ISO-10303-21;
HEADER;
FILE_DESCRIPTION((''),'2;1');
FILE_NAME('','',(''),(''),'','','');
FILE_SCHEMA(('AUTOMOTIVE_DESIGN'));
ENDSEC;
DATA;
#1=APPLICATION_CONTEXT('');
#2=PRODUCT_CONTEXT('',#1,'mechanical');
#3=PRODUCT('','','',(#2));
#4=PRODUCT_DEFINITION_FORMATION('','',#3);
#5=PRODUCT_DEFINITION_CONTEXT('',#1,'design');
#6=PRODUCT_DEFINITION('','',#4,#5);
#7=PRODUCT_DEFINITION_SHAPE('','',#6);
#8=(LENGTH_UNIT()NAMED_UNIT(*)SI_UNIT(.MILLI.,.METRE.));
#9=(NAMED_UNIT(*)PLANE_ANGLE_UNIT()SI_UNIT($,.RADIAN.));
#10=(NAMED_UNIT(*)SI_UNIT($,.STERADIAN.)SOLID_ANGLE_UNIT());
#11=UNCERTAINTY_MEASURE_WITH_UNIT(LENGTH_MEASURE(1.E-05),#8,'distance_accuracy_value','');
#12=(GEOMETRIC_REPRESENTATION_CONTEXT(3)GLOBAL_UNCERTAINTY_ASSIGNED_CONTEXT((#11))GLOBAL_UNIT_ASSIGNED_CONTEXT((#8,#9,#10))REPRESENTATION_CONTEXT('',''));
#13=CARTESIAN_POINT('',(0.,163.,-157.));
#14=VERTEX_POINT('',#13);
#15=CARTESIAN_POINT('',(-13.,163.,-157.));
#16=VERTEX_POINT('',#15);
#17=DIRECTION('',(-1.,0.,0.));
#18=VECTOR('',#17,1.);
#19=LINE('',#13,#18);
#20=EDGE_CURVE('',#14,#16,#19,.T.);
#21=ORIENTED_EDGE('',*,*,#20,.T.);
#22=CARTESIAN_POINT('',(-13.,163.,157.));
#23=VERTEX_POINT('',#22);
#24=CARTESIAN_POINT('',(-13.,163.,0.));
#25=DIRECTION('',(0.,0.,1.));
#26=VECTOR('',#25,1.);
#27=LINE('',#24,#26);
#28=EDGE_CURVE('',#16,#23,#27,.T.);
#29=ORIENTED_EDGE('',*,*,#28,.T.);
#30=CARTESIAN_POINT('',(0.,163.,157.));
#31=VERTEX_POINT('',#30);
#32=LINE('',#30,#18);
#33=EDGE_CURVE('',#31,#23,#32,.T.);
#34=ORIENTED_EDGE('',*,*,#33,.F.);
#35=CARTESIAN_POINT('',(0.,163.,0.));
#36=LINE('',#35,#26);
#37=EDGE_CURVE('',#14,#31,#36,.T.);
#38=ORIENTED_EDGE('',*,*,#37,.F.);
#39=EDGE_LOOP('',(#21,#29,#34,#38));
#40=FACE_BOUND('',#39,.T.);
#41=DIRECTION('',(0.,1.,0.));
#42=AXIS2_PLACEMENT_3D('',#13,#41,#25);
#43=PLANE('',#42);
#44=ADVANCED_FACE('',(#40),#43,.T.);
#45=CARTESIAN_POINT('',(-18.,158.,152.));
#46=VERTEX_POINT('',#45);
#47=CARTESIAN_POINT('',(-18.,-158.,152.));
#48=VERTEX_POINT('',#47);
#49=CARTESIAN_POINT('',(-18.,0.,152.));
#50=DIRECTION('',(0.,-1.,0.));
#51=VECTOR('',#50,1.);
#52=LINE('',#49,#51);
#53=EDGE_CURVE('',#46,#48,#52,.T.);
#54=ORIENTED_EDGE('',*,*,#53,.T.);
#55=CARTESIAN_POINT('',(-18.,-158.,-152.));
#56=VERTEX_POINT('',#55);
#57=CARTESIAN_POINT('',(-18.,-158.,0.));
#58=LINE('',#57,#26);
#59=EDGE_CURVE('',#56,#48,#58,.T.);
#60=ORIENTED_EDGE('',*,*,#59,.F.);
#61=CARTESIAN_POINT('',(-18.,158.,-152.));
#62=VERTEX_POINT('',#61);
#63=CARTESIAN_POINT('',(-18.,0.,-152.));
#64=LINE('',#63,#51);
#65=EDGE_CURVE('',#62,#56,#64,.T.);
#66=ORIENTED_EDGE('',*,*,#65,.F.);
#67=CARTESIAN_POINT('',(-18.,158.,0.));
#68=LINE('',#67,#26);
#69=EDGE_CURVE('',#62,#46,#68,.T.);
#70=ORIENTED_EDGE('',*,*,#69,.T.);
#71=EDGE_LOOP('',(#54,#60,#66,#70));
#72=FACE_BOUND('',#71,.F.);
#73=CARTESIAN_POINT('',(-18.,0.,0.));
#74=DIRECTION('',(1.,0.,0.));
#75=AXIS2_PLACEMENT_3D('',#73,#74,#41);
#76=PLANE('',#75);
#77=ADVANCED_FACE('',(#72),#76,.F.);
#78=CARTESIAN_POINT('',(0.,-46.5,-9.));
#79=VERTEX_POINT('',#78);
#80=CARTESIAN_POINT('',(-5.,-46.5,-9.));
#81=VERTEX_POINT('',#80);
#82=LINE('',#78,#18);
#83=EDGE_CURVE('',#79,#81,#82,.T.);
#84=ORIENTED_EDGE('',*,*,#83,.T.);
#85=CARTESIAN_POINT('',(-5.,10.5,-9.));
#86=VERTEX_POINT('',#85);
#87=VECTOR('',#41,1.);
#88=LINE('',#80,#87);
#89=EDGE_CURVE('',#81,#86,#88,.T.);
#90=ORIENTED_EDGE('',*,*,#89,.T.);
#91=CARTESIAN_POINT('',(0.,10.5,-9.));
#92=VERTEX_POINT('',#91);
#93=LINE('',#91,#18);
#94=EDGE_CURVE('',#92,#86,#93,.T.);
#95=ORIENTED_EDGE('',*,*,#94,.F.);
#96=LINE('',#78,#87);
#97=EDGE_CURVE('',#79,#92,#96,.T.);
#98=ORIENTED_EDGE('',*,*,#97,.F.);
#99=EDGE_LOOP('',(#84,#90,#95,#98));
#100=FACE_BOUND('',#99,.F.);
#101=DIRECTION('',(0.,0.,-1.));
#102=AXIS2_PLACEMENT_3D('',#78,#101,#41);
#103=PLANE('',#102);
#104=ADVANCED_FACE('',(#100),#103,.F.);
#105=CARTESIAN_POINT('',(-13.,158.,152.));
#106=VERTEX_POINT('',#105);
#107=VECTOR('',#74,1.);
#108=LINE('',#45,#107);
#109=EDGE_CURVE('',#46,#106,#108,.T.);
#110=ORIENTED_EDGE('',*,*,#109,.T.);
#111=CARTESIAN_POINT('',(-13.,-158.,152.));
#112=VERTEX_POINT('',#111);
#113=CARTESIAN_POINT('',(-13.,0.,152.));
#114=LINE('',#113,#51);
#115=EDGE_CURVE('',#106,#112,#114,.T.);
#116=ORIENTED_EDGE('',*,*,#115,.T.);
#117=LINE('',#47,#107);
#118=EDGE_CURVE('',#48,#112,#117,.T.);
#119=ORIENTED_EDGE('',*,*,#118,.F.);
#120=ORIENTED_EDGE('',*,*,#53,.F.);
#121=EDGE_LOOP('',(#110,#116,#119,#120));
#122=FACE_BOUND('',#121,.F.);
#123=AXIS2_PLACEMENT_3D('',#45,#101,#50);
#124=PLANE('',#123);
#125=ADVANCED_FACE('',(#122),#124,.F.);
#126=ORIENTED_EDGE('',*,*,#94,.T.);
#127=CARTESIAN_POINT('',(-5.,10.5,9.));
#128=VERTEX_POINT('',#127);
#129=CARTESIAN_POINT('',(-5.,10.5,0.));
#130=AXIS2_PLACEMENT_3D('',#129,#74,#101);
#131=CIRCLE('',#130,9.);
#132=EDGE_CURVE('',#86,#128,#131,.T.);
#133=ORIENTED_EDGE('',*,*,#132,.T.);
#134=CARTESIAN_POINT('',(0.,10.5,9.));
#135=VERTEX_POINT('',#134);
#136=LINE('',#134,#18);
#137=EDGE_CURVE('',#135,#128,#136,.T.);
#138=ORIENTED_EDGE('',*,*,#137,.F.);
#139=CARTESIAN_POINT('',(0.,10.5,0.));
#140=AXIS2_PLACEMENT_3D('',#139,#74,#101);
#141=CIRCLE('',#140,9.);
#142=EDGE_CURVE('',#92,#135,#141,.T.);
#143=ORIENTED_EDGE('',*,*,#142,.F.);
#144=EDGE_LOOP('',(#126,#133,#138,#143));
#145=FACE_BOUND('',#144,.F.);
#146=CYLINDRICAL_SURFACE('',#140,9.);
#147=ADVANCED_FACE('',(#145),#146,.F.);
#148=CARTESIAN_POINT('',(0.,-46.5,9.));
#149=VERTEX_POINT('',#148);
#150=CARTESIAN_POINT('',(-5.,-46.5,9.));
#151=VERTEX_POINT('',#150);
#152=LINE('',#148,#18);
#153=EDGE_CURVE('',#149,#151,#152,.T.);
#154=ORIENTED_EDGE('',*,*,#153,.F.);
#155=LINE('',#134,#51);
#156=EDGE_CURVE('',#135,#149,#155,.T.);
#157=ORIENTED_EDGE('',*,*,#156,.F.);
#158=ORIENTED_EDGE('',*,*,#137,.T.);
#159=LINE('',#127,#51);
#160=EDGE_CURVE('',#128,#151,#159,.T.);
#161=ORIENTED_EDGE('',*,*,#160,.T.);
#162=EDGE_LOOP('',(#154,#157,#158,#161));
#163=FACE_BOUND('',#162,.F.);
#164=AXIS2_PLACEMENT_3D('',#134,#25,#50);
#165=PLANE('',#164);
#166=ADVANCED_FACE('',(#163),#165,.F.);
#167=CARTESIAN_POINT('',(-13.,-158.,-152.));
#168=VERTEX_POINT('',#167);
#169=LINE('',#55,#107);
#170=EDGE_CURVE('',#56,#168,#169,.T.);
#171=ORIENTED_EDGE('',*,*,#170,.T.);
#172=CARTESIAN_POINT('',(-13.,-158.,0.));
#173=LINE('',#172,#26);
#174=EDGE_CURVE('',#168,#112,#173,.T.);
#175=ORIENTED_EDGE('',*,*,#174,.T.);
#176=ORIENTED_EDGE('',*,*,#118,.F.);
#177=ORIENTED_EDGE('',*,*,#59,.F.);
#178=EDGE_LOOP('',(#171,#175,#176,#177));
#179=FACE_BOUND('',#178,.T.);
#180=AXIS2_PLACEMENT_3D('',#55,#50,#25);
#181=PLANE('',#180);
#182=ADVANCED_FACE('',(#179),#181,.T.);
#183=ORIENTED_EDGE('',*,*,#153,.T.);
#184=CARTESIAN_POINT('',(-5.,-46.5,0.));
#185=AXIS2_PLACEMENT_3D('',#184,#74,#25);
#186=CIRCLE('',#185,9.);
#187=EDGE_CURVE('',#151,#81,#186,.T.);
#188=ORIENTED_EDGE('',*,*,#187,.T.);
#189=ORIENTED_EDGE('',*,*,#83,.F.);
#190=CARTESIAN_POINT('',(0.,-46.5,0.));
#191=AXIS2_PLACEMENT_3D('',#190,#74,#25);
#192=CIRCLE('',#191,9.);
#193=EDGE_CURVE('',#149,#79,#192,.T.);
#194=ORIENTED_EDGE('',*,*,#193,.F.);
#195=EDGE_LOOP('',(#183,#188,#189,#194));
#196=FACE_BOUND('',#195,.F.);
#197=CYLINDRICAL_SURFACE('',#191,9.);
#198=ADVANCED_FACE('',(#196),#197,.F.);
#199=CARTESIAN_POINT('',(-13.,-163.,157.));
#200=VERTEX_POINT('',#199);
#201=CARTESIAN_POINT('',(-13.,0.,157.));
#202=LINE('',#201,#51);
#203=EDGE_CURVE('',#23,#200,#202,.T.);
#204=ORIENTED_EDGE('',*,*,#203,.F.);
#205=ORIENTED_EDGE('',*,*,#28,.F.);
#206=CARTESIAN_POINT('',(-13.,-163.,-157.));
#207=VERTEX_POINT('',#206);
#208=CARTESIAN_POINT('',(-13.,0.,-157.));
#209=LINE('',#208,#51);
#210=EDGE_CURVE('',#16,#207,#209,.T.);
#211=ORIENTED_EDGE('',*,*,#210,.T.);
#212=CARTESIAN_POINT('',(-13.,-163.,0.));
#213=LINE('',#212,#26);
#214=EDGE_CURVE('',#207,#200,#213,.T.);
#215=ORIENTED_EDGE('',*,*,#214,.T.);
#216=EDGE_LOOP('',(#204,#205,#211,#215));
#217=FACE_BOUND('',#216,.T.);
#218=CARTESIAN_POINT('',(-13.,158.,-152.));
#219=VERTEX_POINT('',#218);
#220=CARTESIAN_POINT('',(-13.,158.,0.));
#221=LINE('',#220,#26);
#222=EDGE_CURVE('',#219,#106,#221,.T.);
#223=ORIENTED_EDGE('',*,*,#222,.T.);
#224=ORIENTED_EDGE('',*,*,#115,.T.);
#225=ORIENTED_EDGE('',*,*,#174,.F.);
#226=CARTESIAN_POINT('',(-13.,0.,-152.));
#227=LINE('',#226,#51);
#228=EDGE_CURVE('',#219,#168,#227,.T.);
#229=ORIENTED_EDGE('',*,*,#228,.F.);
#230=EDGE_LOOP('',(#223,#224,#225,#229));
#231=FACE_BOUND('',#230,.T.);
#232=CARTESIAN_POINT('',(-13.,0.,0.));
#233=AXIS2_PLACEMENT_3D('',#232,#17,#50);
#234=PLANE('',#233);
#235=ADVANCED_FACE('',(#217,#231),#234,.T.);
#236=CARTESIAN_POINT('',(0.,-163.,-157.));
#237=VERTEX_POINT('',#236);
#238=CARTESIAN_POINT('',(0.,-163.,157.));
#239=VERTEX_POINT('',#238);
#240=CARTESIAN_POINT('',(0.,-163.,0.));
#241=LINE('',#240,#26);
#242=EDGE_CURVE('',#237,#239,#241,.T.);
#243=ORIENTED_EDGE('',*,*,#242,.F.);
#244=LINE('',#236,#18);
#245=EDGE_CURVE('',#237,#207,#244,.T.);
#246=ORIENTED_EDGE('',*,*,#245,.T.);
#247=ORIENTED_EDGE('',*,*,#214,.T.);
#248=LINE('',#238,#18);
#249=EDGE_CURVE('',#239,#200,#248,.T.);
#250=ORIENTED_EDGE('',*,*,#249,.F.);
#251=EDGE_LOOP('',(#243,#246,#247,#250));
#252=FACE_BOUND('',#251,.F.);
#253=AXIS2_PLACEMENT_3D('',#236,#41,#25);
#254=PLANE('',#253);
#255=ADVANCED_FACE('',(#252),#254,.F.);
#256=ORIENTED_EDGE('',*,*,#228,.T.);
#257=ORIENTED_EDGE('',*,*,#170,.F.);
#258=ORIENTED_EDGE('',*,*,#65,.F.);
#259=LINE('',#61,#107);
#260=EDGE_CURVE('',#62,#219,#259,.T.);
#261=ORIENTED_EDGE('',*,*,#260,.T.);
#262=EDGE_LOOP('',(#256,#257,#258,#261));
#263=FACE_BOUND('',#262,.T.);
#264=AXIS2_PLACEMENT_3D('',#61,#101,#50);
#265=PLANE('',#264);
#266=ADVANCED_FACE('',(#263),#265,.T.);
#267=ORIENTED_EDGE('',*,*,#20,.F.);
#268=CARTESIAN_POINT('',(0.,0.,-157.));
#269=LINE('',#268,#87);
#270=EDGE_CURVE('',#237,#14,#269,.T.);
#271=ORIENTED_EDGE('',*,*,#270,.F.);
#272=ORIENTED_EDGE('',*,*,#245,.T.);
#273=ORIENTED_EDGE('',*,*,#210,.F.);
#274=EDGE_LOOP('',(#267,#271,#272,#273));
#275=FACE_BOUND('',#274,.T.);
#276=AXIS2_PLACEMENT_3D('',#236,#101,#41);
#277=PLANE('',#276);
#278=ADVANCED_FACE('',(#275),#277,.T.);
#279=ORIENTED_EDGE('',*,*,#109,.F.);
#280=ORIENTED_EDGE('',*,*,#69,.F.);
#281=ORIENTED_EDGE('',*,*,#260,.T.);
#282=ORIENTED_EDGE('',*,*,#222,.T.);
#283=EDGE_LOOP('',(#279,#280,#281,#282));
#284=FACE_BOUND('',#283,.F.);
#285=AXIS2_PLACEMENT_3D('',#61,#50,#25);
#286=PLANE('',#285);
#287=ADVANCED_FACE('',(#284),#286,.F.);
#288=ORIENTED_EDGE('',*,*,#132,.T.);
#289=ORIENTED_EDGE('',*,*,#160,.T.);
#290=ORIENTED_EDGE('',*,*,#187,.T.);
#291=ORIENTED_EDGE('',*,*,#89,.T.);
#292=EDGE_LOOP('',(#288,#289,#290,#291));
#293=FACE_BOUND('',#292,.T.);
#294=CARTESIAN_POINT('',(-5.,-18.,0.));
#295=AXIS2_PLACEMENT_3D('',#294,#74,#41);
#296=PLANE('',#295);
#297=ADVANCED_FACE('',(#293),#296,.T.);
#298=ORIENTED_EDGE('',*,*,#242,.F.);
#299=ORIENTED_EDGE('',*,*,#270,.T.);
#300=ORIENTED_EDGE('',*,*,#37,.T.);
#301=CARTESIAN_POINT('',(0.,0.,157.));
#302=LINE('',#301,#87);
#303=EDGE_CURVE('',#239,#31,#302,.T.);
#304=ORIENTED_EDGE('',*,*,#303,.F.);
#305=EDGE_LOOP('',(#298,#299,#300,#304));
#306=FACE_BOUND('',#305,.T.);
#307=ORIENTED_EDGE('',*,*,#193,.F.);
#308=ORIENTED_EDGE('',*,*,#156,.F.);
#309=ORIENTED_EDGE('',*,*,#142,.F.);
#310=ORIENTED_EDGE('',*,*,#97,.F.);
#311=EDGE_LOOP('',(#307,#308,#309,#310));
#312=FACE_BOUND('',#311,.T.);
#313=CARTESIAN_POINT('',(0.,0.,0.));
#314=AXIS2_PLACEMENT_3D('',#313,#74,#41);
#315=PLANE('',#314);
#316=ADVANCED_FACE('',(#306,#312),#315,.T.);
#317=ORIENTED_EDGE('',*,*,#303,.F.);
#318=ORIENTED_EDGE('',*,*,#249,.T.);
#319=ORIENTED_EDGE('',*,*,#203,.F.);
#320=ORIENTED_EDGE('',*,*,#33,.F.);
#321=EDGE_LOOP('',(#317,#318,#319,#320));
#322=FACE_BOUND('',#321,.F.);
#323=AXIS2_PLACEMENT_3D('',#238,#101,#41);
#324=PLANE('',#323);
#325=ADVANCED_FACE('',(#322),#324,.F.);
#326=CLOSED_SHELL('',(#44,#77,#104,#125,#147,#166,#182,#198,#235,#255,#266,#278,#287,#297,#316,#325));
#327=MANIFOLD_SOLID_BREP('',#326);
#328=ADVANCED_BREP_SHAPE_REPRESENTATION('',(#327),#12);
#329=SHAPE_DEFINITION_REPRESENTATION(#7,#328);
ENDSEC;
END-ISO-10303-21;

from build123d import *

# Parameters (mm, degrees)
F0_W     = 326
F0_H     = 314
F1_DEPTH = 18
F3_DEPTH = 5
F4_W     = 326
F4_H     = 314
F4_W_2   = 316
F4_H_2   = 304
F5_DEPTH = 5


with BuildPart() as f1:
    # F0 (on Right) → F1 (new body)
    with BuildSketch(Plane.YZ):
        Rectangle(F0_W, F0_H)
    extrude(amount=-F1_DEPTH)

    # F2 (on face) → F3 (cut)
    with BuildSketch(Plane.YZ):
        with BuildLine():
            ThreePointArc((10.5, -9), (19.5, 0), (10.5, 9))
            Line((10.5, 9), (-46.5, 9))
            ThreePointArc((-46.5, 9), (-55.5, 0), (-46.5, -9))
            Line((-46.5, -9), (10.5, -9))
        make_face()
    extrude(amount=-F3_DEPTH, mode=Mode.SUBTRACT)

    # F4 (on face) → F5 (cut)
    with BuildSketch(Plane(origin=(-18, 0, 0), x_dir=(0, -1, 0), z_dir=(-1, 0, 0))):
        Rectangle(F4_W, F4_H)
        Rectangle(F4_W_2, F4_H_2, mode=Mode.SUBTRACT)
    extrude(amount=-F5_DEPTH, mode=Mode.SUBTRACT)


solid = f1.part
